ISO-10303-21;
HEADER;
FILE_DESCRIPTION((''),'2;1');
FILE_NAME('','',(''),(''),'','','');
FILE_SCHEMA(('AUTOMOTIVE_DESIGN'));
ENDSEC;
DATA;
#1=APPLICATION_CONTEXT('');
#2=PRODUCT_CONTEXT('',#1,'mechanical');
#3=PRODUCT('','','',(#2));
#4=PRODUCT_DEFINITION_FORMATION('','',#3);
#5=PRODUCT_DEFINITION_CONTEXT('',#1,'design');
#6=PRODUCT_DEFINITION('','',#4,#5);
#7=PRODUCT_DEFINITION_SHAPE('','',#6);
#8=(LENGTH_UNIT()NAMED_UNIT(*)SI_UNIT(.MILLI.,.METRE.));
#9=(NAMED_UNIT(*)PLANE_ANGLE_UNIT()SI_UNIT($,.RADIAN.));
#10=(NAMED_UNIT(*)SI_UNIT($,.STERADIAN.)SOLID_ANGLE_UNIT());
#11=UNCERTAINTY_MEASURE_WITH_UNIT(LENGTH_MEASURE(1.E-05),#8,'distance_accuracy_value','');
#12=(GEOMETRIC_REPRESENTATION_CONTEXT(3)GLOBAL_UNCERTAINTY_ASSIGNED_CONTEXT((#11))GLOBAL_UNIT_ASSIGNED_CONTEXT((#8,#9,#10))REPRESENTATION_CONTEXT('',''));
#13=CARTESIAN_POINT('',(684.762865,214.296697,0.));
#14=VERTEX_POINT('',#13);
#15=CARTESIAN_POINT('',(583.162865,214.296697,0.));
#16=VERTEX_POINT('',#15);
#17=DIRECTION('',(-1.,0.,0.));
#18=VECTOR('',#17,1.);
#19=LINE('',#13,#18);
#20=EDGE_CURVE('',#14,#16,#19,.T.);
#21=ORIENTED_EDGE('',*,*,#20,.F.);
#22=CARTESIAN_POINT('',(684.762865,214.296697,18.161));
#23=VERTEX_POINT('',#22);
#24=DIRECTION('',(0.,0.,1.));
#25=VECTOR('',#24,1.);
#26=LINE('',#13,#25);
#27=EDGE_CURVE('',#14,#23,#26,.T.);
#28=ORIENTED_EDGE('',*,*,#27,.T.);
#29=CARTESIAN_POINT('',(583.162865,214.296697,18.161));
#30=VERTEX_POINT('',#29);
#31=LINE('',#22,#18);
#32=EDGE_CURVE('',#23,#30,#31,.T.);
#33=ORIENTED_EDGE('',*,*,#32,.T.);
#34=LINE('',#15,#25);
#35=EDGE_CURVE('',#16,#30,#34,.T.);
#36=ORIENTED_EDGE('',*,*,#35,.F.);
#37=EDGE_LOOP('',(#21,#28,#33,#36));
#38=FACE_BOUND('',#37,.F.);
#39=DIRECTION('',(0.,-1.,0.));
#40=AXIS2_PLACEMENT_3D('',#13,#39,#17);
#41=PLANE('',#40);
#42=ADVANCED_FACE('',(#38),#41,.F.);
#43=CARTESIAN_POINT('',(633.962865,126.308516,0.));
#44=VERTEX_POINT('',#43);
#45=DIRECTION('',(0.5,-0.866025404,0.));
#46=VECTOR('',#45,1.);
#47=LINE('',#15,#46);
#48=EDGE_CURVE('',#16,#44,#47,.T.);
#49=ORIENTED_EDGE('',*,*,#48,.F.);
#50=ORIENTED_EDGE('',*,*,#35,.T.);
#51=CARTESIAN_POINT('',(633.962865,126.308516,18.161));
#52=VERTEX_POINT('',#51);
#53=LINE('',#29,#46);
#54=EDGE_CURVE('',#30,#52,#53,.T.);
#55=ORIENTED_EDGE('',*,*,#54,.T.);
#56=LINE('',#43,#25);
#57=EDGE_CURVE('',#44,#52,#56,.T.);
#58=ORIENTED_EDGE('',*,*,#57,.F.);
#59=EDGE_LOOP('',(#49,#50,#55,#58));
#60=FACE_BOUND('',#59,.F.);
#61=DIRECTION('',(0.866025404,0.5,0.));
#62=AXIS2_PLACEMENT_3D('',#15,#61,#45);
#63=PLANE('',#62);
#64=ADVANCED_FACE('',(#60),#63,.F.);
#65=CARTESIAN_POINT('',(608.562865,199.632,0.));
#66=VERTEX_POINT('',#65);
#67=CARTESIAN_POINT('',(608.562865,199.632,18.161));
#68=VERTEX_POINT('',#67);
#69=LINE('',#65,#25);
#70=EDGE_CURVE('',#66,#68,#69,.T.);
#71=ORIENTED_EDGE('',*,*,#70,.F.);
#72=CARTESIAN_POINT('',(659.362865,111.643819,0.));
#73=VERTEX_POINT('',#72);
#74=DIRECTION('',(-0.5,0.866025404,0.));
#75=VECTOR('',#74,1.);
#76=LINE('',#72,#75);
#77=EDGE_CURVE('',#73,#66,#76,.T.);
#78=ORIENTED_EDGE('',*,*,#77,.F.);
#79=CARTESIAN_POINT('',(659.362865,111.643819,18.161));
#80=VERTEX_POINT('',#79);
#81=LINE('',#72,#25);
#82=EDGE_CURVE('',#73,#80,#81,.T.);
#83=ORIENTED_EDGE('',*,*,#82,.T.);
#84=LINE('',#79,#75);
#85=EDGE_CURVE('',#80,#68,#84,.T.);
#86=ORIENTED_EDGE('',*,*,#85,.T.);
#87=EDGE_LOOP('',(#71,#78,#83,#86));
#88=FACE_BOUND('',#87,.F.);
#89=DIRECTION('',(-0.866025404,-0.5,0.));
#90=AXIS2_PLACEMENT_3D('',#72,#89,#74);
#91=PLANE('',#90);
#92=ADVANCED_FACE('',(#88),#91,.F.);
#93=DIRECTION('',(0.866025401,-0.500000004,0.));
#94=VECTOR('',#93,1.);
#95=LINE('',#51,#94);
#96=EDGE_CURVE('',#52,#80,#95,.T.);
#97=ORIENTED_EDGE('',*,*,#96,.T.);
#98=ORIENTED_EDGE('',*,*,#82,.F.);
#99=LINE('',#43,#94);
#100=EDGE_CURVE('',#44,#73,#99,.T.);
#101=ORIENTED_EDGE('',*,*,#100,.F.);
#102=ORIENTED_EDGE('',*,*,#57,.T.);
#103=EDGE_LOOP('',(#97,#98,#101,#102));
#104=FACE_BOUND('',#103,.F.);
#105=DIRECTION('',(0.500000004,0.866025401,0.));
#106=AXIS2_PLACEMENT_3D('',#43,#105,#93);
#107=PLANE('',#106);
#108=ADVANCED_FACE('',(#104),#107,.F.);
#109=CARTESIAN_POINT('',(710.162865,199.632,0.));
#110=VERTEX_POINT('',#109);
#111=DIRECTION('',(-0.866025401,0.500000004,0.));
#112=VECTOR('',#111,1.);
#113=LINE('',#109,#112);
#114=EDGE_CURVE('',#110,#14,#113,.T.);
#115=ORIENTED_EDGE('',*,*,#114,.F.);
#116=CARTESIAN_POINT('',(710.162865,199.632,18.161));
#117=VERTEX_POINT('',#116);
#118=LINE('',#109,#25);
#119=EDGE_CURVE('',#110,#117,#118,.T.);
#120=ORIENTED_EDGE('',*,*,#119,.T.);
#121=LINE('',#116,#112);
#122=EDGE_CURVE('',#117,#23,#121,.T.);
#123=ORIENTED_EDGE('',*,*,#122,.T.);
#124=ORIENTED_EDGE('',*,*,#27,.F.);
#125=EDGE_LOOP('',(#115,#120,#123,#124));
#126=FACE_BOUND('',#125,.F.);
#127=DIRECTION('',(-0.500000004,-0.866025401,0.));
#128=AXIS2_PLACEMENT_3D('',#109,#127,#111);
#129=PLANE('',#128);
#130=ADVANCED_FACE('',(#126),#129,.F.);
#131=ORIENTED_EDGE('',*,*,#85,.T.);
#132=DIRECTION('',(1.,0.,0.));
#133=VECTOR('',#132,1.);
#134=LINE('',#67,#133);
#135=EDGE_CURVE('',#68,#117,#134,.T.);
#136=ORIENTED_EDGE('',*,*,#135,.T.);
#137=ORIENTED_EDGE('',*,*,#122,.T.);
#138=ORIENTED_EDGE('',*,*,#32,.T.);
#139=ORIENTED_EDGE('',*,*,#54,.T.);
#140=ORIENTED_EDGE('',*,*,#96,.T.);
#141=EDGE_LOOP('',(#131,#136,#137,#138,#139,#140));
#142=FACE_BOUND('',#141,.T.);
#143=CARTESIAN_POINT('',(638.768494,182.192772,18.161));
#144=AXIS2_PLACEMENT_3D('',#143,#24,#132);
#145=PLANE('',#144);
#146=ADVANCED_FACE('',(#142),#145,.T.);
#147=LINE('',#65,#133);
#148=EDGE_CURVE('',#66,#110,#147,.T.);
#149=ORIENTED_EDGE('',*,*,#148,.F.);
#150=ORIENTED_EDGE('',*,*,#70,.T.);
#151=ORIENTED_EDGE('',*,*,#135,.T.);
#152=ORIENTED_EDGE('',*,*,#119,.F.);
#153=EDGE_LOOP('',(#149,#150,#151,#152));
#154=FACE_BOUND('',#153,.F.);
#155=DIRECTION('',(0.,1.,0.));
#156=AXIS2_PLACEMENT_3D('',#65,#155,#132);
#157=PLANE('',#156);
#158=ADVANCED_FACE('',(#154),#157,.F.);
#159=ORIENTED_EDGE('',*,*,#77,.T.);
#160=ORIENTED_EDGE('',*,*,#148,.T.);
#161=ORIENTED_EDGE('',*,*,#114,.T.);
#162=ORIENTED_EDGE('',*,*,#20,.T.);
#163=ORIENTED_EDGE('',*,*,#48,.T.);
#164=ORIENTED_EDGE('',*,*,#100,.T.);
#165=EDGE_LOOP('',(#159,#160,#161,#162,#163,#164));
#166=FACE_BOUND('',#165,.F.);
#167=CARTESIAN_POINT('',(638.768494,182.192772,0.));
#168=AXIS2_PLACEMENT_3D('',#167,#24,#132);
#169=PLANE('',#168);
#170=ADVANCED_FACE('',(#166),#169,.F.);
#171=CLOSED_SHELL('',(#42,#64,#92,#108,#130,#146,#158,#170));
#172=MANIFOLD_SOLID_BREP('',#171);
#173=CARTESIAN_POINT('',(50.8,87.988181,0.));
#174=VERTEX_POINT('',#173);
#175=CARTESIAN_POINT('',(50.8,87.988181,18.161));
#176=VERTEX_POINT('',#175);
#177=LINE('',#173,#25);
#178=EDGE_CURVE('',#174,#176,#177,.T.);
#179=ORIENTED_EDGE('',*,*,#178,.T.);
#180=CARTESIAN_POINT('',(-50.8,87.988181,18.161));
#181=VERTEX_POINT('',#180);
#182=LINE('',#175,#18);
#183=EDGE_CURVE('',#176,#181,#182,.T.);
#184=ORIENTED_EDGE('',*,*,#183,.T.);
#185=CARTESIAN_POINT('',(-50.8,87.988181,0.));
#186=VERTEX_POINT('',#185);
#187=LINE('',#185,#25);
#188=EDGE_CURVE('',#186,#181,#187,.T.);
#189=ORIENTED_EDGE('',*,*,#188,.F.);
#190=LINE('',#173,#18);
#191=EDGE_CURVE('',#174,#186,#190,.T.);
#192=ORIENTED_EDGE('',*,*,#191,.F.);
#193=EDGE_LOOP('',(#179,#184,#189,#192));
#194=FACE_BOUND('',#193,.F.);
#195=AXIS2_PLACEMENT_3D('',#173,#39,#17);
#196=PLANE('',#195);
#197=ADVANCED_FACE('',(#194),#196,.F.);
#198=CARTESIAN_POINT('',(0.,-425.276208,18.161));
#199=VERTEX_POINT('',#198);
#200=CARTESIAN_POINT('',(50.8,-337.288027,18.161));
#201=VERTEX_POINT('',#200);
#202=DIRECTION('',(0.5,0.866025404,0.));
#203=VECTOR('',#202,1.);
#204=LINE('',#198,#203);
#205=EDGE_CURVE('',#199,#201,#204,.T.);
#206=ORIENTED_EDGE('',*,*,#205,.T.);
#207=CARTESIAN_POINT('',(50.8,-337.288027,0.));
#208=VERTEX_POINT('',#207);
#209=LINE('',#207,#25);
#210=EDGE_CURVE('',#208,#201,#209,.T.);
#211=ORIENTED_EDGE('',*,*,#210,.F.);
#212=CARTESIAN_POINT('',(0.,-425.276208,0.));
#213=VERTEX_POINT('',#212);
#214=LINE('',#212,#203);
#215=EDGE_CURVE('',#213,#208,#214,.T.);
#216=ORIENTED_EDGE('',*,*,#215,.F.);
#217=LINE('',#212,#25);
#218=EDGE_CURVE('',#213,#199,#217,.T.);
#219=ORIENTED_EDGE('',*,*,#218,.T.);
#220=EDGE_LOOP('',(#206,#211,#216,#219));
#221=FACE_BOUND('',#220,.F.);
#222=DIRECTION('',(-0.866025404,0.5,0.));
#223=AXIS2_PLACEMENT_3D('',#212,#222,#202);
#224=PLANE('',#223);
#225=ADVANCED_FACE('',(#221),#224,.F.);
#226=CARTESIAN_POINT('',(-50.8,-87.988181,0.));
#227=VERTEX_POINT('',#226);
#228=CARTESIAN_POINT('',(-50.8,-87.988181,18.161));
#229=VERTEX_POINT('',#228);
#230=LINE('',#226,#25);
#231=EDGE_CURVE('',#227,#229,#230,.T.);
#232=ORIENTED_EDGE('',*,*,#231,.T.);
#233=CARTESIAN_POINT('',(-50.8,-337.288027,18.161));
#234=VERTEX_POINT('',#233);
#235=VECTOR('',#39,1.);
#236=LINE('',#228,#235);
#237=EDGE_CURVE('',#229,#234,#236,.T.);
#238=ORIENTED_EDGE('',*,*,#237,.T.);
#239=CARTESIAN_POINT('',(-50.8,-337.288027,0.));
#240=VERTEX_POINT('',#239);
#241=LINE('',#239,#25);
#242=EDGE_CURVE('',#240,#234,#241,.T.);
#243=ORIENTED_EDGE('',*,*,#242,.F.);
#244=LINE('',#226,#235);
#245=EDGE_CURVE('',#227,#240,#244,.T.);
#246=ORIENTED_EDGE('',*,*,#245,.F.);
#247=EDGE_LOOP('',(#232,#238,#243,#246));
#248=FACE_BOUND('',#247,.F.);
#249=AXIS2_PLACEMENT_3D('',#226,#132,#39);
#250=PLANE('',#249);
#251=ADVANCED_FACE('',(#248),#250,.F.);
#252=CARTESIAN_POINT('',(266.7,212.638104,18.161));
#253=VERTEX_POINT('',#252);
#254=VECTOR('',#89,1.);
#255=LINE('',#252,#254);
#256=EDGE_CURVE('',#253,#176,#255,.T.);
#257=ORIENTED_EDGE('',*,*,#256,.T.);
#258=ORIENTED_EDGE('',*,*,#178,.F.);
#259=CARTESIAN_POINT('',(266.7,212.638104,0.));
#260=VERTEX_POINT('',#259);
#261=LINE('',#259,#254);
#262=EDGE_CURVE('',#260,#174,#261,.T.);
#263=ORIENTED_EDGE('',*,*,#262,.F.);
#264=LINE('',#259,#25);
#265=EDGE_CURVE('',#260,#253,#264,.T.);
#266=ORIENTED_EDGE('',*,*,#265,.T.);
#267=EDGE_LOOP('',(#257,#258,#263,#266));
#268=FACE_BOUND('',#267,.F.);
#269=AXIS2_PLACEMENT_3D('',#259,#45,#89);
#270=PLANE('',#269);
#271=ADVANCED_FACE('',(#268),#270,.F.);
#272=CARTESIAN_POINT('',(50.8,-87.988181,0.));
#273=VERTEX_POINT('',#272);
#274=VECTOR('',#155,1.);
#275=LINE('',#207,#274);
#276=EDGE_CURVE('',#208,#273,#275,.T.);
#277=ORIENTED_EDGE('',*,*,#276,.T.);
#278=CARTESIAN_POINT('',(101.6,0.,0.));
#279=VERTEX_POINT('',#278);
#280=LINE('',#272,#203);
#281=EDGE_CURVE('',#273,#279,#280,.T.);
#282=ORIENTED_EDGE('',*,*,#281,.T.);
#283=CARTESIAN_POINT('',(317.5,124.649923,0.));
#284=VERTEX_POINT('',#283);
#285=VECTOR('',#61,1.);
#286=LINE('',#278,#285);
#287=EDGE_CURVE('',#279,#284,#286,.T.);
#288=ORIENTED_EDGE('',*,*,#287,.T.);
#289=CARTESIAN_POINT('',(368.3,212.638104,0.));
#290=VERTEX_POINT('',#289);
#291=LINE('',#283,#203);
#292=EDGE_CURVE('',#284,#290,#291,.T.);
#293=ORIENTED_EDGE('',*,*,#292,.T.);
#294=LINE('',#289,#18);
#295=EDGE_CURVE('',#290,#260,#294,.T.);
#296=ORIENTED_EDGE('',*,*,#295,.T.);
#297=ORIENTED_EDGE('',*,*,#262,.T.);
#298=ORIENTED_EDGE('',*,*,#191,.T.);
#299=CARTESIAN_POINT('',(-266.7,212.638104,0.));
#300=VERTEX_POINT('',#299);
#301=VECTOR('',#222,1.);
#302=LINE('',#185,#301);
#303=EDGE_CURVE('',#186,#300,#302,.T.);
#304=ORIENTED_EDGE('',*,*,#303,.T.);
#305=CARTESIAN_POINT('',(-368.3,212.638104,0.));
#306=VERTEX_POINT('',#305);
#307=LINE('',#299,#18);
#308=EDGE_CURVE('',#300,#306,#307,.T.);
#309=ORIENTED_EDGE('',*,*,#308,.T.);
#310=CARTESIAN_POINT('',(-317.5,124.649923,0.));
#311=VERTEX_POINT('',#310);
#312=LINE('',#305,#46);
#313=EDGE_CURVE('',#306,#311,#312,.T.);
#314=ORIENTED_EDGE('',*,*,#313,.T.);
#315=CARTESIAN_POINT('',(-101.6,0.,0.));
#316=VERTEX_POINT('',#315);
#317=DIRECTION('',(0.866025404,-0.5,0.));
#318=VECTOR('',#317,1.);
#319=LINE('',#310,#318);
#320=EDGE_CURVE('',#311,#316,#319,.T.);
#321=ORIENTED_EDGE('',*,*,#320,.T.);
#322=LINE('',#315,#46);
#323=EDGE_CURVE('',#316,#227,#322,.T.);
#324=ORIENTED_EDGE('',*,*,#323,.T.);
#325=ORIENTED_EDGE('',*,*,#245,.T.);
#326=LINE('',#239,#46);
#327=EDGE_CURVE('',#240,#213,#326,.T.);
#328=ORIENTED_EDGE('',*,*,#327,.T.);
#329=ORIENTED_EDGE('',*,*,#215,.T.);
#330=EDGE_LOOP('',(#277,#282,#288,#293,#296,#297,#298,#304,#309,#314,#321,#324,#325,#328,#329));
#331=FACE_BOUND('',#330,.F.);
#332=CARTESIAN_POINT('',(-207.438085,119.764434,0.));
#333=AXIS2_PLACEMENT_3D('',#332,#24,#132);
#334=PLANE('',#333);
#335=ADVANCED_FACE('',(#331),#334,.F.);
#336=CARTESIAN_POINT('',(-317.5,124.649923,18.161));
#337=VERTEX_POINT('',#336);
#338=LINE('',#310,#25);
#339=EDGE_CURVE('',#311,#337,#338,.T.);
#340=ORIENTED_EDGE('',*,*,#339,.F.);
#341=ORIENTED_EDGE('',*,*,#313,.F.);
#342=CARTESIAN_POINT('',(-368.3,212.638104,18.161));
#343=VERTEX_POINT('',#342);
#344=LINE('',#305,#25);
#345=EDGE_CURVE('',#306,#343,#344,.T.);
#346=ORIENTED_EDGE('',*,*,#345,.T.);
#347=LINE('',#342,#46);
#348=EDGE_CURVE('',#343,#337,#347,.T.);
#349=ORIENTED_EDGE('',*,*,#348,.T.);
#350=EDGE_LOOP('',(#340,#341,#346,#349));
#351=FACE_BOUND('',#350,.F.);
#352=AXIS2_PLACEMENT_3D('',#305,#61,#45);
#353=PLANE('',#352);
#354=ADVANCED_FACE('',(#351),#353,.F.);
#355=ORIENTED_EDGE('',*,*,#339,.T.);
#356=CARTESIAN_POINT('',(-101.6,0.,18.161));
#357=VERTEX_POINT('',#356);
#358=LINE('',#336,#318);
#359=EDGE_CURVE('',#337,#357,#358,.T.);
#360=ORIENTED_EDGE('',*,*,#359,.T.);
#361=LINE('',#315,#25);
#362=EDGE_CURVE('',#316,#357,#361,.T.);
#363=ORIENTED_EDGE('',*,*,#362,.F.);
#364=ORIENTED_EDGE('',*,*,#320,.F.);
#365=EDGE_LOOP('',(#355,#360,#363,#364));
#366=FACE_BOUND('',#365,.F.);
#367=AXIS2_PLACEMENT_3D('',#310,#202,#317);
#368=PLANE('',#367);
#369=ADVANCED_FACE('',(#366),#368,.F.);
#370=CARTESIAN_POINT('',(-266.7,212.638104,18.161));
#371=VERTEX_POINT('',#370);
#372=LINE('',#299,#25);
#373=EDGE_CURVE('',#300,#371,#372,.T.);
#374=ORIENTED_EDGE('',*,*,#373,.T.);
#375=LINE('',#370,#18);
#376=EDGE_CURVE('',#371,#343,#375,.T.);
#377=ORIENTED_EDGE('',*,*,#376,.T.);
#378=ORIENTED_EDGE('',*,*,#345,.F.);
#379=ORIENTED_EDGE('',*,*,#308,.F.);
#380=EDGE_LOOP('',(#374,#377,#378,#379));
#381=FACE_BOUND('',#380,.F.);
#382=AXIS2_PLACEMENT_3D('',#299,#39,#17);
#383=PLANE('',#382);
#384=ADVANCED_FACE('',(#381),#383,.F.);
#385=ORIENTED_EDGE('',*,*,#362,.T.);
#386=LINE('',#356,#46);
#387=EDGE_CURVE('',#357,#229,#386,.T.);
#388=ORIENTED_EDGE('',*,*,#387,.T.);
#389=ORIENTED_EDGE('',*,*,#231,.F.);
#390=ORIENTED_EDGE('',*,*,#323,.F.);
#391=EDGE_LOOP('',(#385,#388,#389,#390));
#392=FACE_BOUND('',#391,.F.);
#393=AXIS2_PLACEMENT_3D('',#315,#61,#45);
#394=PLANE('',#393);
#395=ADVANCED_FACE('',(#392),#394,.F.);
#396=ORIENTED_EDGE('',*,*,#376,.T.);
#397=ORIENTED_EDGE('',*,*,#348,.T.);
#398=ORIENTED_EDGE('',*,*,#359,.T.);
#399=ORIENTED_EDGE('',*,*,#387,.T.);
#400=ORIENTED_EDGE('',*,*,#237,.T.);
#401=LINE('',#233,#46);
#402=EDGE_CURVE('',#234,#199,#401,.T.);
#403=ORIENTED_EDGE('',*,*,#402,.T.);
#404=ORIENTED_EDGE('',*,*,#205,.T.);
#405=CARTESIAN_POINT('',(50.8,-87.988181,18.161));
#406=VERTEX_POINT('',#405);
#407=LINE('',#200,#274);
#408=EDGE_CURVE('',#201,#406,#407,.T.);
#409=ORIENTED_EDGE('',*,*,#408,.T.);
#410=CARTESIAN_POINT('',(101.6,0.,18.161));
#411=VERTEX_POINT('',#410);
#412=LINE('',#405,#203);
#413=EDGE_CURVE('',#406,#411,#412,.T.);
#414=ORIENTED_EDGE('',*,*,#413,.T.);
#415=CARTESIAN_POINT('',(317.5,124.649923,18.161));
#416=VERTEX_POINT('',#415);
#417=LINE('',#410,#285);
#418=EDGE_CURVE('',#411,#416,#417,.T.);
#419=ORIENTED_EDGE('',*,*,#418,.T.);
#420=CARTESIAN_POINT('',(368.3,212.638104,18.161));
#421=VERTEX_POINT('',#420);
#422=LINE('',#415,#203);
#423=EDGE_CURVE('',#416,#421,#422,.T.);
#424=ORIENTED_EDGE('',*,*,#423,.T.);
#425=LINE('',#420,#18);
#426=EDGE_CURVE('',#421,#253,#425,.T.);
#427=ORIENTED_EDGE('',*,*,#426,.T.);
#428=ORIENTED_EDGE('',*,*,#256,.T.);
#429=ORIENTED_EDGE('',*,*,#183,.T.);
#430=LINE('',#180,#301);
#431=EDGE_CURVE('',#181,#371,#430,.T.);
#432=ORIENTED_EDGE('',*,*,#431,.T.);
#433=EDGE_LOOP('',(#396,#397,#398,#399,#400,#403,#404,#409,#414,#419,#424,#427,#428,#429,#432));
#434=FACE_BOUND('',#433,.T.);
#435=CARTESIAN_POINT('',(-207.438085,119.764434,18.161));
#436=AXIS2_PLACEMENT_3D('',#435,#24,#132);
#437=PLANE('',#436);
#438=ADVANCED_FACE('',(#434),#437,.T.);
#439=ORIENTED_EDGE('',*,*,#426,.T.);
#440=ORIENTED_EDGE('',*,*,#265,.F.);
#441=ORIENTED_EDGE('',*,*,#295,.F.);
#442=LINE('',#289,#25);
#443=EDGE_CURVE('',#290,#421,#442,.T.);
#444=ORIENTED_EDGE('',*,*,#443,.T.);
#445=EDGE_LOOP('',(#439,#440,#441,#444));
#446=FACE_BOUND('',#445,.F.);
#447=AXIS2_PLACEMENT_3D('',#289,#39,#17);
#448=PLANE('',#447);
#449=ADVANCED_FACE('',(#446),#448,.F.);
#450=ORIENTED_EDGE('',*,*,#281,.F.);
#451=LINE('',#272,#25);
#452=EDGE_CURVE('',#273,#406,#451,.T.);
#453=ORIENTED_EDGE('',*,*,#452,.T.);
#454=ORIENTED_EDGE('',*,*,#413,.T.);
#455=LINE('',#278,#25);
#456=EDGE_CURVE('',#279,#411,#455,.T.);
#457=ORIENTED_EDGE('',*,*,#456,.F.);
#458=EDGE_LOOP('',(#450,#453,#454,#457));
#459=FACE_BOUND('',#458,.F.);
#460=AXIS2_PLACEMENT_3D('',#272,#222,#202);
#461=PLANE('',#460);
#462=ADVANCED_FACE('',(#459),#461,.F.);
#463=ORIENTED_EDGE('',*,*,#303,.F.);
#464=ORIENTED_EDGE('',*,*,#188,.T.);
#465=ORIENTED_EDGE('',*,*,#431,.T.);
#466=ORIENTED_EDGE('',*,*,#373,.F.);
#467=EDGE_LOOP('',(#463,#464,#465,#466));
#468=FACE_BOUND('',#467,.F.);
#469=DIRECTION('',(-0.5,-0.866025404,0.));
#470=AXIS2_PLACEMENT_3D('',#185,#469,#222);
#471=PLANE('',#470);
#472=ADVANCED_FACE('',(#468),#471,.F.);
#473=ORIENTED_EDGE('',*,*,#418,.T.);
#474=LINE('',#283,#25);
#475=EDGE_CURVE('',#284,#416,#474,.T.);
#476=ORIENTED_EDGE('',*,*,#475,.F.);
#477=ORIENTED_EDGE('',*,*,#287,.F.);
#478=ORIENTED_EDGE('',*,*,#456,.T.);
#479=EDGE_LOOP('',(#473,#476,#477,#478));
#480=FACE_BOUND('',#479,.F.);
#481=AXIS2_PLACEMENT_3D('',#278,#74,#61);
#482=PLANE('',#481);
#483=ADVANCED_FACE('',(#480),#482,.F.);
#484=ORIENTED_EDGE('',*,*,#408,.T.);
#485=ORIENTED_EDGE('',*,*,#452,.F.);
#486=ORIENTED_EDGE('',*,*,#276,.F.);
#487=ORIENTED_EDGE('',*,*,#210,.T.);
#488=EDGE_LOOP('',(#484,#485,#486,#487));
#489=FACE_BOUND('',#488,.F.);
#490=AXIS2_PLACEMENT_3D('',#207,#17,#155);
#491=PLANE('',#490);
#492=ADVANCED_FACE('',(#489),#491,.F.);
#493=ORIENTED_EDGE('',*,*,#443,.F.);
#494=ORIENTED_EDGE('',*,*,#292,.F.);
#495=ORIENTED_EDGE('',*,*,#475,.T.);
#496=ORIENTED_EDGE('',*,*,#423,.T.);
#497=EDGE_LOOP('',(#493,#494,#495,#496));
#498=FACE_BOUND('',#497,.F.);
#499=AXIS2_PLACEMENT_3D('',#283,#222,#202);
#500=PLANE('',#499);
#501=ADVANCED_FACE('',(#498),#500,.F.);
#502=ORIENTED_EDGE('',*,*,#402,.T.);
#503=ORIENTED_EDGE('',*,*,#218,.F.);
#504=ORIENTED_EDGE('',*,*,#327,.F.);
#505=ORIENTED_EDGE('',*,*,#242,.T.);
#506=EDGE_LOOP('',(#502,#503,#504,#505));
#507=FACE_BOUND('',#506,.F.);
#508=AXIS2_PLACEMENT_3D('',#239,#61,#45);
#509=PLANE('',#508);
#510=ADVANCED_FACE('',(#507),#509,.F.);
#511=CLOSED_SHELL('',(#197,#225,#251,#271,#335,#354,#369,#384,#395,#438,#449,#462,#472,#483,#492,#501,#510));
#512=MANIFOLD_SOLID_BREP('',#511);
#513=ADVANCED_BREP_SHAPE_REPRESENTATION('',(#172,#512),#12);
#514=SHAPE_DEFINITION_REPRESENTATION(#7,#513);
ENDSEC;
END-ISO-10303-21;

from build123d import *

# Parameters (mm, degrees)
F1_DEPTH = 18.161


with BuildPart() as f1:
    # F0 (on Top) → F1 (new body)
    with BuildSketch(Plane.XY):
        Polygon((-101.6, 0), (-50.8, 87.988181), (-266.7, 212.638104), (-368.3, 212.638104), (-317.5, 124.649923), align=None)
        Polygon((50.8, 87.988181), (-50.8, 87.988181), (-101.6, 0), (-50.8, -87.988181), (50.8, -87.988181), (101.6, 0), align=None)
        Polygon((266.7, 212.638104), (50.8, 87.988181), (101.6, 0), (317.5, 124.649923), (368.3, 212.638104), align=None)
        Polygon((50.8, -87.988181), (-50.8, -87.988181), (-50.8, -337.288027), (0, -425.276208), (50.8, -337.288027), align=None)
        Polygon((583.162865, 214.296697), (633.962865, 126.308516), (659.362865, 111.643819), (608.562865, 199.632), (710.162865, 199.632), (684.762865, 214.296697), align=None)
    extrude(amount=F1_DEPTH)


solid = f1.part
